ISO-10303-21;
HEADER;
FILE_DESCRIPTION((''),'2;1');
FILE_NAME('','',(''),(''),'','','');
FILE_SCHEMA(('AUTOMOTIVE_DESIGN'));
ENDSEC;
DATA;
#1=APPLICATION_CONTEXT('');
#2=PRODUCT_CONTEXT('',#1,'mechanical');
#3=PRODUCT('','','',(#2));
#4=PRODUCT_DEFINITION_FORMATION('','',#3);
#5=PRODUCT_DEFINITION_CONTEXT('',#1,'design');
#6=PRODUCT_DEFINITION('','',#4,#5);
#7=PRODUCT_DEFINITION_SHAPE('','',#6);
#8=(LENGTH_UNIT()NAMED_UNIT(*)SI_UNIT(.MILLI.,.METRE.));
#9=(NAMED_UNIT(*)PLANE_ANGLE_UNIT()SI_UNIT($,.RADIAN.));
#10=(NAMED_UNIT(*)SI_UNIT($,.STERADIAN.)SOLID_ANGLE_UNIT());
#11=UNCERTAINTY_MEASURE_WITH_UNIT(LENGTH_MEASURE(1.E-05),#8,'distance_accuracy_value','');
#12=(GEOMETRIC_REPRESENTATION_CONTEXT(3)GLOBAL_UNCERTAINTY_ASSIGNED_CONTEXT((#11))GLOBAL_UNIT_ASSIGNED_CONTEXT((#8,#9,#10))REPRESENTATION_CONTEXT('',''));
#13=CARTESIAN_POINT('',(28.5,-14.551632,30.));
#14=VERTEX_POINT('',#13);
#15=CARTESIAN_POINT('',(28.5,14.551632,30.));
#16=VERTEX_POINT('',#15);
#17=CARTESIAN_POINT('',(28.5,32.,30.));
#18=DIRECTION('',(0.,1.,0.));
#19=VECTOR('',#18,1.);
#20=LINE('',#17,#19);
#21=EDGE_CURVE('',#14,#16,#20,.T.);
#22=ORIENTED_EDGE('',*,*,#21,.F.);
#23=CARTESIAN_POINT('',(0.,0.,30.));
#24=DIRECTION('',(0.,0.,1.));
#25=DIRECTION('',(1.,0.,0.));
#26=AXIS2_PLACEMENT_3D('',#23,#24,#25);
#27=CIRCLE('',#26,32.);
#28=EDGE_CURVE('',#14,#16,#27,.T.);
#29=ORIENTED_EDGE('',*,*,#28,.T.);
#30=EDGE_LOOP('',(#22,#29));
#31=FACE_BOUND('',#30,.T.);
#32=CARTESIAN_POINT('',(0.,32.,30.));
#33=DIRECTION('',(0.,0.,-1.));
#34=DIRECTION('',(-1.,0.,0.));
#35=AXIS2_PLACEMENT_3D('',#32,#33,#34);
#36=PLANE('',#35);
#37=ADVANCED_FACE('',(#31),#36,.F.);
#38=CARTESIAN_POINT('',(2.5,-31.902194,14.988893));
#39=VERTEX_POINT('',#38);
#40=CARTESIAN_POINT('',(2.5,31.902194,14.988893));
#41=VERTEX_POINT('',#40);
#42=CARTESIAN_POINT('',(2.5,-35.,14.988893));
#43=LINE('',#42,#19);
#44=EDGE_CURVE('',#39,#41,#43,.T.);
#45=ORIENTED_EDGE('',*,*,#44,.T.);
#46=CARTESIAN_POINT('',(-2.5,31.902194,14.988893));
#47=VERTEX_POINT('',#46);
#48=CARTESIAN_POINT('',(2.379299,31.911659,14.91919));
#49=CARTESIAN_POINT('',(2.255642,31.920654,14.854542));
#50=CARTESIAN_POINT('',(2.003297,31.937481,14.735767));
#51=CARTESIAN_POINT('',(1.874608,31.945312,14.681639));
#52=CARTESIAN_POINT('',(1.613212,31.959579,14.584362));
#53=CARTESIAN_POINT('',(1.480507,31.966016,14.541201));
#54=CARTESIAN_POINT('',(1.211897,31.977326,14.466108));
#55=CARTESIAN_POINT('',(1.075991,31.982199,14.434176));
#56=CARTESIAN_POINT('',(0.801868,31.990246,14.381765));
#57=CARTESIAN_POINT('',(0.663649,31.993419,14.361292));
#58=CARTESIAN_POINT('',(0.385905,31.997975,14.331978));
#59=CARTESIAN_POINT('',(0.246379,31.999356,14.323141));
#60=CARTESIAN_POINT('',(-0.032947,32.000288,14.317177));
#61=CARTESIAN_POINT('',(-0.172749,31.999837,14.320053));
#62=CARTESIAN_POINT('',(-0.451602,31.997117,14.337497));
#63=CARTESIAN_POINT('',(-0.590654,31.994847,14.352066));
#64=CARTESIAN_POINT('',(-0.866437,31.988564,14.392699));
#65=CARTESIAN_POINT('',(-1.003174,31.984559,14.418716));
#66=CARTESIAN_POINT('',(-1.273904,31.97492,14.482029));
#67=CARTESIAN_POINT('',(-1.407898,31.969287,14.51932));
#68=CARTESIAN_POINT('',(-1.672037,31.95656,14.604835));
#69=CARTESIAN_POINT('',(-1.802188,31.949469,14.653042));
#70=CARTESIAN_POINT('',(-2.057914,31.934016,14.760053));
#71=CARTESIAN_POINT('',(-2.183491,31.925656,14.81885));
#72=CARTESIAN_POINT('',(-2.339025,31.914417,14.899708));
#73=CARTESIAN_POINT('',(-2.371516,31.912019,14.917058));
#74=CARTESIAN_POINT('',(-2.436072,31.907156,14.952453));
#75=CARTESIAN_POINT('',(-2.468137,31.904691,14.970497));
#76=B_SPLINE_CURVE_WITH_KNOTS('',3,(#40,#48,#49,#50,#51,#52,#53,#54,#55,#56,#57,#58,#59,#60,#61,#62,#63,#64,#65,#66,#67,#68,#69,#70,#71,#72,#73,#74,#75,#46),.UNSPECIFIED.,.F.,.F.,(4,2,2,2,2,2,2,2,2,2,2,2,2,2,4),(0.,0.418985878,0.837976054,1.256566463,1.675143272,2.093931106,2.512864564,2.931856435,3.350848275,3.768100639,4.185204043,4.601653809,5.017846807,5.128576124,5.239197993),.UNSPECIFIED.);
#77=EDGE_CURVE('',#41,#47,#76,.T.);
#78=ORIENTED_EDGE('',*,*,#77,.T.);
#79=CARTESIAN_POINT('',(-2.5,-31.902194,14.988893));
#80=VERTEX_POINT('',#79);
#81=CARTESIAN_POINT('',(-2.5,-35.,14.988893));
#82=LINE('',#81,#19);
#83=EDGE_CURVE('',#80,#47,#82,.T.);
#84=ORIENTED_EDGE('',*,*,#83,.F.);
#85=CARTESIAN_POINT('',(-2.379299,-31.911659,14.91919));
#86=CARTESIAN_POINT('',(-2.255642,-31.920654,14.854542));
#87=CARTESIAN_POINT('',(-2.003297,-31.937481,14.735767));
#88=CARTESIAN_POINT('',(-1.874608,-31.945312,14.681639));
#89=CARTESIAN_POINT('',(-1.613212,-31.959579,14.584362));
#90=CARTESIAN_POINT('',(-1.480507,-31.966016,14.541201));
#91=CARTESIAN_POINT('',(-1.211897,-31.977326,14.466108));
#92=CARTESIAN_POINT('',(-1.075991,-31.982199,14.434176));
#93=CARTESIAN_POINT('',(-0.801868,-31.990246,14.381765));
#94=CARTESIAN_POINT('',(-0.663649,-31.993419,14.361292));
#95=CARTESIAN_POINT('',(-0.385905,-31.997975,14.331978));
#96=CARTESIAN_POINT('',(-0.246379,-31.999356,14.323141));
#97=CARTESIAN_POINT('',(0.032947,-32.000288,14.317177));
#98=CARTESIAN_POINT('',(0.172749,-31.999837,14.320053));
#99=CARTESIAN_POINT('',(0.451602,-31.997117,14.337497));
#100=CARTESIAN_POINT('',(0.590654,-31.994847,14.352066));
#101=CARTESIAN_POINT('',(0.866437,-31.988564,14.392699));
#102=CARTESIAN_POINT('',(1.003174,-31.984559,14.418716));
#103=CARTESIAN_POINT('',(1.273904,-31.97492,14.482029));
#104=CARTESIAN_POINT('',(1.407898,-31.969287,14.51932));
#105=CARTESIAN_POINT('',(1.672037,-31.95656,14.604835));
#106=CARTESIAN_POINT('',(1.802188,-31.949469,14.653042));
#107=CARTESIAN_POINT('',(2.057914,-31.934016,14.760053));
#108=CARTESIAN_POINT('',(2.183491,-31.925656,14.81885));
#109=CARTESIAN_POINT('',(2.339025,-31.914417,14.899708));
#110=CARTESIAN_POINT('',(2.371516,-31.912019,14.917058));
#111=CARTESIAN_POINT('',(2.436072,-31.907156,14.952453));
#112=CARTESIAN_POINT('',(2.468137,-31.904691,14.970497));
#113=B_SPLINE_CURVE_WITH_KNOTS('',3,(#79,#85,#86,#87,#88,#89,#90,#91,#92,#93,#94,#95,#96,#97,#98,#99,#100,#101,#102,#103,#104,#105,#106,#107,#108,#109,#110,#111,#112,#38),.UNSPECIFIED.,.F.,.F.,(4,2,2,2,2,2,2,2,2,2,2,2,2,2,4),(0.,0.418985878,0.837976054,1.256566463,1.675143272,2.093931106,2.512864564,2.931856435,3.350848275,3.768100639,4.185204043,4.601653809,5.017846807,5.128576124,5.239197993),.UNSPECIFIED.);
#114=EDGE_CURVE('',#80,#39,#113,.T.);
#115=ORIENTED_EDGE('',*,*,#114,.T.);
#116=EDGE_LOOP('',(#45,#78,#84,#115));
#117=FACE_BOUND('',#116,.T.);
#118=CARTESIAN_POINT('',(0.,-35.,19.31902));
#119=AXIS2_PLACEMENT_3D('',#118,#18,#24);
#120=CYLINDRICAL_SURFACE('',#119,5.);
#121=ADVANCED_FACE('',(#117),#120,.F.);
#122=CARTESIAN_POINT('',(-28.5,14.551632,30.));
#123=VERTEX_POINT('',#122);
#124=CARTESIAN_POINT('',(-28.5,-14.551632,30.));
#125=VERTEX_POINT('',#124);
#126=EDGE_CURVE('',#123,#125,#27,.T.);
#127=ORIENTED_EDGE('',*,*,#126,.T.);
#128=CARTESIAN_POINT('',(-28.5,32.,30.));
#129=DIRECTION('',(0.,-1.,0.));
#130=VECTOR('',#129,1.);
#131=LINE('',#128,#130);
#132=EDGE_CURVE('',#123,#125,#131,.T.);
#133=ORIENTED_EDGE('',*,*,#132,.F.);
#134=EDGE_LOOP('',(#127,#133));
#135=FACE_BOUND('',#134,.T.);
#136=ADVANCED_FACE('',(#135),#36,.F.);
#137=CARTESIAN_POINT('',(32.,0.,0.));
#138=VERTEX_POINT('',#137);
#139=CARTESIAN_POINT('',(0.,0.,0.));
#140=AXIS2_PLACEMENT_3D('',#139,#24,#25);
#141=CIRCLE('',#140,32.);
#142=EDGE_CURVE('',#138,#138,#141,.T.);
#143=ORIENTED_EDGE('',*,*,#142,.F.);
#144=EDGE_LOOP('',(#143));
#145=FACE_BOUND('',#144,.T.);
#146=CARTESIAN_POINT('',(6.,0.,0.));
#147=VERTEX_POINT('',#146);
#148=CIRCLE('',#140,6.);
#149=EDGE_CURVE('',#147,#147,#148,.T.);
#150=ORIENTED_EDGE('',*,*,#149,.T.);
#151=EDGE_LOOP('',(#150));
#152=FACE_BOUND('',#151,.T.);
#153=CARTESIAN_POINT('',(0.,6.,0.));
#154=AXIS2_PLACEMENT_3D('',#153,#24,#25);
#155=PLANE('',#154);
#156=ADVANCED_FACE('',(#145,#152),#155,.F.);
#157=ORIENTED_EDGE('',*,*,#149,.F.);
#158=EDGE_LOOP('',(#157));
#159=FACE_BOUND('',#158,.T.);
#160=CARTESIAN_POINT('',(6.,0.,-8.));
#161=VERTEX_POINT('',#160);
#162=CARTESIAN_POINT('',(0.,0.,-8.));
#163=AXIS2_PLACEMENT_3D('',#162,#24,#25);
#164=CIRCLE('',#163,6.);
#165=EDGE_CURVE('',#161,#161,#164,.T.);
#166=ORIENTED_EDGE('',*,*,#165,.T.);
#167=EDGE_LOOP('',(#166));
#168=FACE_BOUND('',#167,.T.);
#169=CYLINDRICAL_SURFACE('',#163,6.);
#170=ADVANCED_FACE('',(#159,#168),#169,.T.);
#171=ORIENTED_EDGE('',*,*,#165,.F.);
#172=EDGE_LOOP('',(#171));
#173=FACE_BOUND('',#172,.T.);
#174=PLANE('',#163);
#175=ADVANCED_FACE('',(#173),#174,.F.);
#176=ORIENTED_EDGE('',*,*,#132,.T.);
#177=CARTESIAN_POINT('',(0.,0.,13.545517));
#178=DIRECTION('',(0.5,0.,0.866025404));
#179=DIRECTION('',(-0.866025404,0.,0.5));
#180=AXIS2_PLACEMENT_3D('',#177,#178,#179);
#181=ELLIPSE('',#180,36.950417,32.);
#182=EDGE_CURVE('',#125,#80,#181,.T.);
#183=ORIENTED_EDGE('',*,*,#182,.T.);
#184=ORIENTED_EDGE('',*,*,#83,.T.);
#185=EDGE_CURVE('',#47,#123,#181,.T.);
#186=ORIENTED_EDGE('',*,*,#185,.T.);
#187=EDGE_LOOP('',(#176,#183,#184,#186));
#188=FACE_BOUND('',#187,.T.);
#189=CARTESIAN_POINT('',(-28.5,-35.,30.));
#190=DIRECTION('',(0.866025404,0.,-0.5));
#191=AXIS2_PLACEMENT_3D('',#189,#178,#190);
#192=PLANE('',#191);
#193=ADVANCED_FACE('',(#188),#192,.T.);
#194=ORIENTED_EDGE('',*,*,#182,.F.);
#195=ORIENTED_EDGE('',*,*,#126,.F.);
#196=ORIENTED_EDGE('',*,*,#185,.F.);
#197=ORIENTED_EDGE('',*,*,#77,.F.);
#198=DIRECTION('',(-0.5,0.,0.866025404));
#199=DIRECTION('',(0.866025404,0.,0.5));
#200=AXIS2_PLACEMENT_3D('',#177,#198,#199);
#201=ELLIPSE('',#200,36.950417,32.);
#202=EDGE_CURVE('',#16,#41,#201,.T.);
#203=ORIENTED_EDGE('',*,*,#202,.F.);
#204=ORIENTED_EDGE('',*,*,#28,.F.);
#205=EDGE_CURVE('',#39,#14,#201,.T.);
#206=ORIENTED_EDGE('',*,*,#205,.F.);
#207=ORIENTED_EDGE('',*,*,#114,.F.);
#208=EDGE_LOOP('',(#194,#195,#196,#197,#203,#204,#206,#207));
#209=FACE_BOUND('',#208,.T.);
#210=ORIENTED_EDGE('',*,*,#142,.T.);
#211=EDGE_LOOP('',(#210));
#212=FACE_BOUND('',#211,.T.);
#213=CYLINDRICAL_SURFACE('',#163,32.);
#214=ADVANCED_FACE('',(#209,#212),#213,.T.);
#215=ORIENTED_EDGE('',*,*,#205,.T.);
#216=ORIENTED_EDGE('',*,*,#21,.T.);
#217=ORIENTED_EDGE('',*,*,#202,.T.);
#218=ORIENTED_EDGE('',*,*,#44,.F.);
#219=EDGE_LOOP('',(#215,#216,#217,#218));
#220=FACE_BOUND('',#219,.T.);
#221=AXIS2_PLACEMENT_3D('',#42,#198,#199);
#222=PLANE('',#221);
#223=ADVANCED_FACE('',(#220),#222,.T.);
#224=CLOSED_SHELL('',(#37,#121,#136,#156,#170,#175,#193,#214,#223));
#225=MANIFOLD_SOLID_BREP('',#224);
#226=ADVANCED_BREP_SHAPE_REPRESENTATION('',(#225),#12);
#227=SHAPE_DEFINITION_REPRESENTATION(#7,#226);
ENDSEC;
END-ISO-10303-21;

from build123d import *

# Parameters (mm, degrees)
CUT_EXTRUDE1_DEPTH = 35


with BuildPart() as part:
    # Sketch1 → Revolve1 (revolve)
    with BuildSketch(Plane(origin=(0, 0, 0), x_dir=(0, 0, -1), z_dir=(1, 0, 0)), mode=Mode.PRIVATE) as revolve1_sk:
        Polygon((8, 0), (8, 6), (0, 6), (0, 32), (-30, 32), (-30, 0), align=None)
    revolve(revolve1_sk.sketch.rotate(Axis((0, 0, -8), (0, 0, -1)), 90), axis=Axis((0, 0, -8), (0, 0, -1)))

    # Sketch2 → Cut-Extrude1 (cut, symmetric)
    with BuildSketch(Plane(origin=(0, 0, 0), x_dir=(1, 0, 0), z_dir=(0, 1, 0))):
        with BuildLine():
            Line((-28.5, -30), (-2.5, -14.988893001))
            ThreePointArc((-2.5, -14.988893001), (0, -14.31902002), (2.5, -14.988893001))
            Line((2.5, -14.988893001), (28.5, -30))
            Line((28.5, -30), (-28.5, -30))
        make_face()
    extrude(amount=CUT_EXTRUDE1_DEPTH, both=True, mode=Mode.SUBTRACT)


solid = part.part
